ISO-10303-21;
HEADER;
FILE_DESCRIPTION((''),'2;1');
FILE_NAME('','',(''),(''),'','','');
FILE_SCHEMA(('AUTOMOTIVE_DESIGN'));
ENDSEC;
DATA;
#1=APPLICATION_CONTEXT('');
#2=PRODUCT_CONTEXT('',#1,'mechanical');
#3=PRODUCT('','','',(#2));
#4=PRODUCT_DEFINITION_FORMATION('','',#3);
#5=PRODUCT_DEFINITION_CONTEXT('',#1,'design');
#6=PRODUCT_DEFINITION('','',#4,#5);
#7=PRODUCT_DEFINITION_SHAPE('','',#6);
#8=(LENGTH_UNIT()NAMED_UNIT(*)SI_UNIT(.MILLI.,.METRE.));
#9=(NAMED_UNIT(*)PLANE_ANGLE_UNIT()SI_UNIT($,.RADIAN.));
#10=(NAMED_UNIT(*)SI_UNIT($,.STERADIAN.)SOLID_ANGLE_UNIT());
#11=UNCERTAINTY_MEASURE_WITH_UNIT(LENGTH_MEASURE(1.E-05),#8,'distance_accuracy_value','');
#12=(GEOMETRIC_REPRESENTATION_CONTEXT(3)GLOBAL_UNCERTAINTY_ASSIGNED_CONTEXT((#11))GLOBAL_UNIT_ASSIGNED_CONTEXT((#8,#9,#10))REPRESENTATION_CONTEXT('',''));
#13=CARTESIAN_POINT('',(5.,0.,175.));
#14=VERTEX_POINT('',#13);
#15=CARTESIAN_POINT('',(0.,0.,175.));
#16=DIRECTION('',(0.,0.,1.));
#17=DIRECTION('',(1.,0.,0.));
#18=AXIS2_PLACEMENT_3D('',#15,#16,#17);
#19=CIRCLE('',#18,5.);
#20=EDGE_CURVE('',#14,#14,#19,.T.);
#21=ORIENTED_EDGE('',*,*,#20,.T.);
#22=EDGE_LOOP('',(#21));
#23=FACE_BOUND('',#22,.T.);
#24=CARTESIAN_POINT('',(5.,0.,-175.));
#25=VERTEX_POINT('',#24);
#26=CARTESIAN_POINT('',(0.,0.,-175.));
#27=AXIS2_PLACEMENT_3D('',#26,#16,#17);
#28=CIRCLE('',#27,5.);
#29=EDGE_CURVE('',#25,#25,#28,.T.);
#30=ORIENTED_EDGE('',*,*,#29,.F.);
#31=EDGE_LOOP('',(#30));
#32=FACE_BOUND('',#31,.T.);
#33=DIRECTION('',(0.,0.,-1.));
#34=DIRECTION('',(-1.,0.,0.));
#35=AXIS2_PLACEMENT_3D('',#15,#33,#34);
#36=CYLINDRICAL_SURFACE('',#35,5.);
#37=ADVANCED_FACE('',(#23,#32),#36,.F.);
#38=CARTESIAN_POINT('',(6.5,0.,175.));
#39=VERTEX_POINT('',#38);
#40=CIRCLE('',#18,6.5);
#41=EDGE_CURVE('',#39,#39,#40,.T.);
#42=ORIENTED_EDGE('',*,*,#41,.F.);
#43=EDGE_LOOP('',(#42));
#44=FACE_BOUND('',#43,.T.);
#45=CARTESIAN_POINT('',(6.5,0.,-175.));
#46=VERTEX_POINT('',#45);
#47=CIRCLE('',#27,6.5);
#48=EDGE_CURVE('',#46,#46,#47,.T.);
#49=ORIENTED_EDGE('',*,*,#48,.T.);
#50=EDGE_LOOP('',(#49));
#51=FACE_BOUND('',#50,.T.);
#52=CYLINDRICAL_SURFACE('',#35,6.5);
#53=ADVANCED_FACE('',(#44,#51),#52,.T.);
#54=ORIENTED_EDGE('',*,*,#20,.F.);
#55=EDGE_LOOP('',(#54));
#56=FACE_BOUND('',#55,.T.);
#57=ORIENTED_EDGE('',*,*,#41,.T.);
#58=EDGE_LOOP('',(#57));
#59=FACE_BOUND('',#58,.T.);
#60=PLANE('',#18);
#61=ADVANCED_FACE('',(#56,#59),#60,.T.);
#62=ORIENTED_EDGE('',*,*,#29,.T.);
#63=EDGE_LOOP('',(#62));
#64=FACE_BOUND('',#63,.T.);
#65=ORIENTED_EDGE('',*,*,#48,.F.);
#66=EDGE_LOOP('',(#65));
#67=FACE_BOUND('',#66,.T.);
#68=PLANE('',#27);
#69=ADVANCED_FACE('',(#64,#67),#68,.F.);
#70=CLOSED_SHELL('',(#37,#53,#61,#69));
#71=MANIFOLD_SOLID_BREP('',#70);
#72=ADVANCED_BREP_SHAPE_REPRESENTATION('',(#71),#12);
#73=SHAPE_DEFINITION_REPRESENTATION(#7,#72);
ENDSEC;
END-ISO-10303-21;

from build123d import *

# Parameters (mm, degrees)
CROQUIS1_R              = 6.5
CROQUIS1_R_2            = 5
SALIENTE_EXTRUIR1_DEPTH = 175


with BuildPart() as part:
    # Croquis1 → Saliente-Extruir1 (new body, symmetric)
    with BuildSketch(Plane.XY):
        Circle(CROQUIS1_R)
        Circle(CROQUIS1_R_2, mode=Mode.SUBTRACT)
    extrude(amount=SALIENTE_EXTRUIR1_DEPTH, both=True)


solid = part.part
